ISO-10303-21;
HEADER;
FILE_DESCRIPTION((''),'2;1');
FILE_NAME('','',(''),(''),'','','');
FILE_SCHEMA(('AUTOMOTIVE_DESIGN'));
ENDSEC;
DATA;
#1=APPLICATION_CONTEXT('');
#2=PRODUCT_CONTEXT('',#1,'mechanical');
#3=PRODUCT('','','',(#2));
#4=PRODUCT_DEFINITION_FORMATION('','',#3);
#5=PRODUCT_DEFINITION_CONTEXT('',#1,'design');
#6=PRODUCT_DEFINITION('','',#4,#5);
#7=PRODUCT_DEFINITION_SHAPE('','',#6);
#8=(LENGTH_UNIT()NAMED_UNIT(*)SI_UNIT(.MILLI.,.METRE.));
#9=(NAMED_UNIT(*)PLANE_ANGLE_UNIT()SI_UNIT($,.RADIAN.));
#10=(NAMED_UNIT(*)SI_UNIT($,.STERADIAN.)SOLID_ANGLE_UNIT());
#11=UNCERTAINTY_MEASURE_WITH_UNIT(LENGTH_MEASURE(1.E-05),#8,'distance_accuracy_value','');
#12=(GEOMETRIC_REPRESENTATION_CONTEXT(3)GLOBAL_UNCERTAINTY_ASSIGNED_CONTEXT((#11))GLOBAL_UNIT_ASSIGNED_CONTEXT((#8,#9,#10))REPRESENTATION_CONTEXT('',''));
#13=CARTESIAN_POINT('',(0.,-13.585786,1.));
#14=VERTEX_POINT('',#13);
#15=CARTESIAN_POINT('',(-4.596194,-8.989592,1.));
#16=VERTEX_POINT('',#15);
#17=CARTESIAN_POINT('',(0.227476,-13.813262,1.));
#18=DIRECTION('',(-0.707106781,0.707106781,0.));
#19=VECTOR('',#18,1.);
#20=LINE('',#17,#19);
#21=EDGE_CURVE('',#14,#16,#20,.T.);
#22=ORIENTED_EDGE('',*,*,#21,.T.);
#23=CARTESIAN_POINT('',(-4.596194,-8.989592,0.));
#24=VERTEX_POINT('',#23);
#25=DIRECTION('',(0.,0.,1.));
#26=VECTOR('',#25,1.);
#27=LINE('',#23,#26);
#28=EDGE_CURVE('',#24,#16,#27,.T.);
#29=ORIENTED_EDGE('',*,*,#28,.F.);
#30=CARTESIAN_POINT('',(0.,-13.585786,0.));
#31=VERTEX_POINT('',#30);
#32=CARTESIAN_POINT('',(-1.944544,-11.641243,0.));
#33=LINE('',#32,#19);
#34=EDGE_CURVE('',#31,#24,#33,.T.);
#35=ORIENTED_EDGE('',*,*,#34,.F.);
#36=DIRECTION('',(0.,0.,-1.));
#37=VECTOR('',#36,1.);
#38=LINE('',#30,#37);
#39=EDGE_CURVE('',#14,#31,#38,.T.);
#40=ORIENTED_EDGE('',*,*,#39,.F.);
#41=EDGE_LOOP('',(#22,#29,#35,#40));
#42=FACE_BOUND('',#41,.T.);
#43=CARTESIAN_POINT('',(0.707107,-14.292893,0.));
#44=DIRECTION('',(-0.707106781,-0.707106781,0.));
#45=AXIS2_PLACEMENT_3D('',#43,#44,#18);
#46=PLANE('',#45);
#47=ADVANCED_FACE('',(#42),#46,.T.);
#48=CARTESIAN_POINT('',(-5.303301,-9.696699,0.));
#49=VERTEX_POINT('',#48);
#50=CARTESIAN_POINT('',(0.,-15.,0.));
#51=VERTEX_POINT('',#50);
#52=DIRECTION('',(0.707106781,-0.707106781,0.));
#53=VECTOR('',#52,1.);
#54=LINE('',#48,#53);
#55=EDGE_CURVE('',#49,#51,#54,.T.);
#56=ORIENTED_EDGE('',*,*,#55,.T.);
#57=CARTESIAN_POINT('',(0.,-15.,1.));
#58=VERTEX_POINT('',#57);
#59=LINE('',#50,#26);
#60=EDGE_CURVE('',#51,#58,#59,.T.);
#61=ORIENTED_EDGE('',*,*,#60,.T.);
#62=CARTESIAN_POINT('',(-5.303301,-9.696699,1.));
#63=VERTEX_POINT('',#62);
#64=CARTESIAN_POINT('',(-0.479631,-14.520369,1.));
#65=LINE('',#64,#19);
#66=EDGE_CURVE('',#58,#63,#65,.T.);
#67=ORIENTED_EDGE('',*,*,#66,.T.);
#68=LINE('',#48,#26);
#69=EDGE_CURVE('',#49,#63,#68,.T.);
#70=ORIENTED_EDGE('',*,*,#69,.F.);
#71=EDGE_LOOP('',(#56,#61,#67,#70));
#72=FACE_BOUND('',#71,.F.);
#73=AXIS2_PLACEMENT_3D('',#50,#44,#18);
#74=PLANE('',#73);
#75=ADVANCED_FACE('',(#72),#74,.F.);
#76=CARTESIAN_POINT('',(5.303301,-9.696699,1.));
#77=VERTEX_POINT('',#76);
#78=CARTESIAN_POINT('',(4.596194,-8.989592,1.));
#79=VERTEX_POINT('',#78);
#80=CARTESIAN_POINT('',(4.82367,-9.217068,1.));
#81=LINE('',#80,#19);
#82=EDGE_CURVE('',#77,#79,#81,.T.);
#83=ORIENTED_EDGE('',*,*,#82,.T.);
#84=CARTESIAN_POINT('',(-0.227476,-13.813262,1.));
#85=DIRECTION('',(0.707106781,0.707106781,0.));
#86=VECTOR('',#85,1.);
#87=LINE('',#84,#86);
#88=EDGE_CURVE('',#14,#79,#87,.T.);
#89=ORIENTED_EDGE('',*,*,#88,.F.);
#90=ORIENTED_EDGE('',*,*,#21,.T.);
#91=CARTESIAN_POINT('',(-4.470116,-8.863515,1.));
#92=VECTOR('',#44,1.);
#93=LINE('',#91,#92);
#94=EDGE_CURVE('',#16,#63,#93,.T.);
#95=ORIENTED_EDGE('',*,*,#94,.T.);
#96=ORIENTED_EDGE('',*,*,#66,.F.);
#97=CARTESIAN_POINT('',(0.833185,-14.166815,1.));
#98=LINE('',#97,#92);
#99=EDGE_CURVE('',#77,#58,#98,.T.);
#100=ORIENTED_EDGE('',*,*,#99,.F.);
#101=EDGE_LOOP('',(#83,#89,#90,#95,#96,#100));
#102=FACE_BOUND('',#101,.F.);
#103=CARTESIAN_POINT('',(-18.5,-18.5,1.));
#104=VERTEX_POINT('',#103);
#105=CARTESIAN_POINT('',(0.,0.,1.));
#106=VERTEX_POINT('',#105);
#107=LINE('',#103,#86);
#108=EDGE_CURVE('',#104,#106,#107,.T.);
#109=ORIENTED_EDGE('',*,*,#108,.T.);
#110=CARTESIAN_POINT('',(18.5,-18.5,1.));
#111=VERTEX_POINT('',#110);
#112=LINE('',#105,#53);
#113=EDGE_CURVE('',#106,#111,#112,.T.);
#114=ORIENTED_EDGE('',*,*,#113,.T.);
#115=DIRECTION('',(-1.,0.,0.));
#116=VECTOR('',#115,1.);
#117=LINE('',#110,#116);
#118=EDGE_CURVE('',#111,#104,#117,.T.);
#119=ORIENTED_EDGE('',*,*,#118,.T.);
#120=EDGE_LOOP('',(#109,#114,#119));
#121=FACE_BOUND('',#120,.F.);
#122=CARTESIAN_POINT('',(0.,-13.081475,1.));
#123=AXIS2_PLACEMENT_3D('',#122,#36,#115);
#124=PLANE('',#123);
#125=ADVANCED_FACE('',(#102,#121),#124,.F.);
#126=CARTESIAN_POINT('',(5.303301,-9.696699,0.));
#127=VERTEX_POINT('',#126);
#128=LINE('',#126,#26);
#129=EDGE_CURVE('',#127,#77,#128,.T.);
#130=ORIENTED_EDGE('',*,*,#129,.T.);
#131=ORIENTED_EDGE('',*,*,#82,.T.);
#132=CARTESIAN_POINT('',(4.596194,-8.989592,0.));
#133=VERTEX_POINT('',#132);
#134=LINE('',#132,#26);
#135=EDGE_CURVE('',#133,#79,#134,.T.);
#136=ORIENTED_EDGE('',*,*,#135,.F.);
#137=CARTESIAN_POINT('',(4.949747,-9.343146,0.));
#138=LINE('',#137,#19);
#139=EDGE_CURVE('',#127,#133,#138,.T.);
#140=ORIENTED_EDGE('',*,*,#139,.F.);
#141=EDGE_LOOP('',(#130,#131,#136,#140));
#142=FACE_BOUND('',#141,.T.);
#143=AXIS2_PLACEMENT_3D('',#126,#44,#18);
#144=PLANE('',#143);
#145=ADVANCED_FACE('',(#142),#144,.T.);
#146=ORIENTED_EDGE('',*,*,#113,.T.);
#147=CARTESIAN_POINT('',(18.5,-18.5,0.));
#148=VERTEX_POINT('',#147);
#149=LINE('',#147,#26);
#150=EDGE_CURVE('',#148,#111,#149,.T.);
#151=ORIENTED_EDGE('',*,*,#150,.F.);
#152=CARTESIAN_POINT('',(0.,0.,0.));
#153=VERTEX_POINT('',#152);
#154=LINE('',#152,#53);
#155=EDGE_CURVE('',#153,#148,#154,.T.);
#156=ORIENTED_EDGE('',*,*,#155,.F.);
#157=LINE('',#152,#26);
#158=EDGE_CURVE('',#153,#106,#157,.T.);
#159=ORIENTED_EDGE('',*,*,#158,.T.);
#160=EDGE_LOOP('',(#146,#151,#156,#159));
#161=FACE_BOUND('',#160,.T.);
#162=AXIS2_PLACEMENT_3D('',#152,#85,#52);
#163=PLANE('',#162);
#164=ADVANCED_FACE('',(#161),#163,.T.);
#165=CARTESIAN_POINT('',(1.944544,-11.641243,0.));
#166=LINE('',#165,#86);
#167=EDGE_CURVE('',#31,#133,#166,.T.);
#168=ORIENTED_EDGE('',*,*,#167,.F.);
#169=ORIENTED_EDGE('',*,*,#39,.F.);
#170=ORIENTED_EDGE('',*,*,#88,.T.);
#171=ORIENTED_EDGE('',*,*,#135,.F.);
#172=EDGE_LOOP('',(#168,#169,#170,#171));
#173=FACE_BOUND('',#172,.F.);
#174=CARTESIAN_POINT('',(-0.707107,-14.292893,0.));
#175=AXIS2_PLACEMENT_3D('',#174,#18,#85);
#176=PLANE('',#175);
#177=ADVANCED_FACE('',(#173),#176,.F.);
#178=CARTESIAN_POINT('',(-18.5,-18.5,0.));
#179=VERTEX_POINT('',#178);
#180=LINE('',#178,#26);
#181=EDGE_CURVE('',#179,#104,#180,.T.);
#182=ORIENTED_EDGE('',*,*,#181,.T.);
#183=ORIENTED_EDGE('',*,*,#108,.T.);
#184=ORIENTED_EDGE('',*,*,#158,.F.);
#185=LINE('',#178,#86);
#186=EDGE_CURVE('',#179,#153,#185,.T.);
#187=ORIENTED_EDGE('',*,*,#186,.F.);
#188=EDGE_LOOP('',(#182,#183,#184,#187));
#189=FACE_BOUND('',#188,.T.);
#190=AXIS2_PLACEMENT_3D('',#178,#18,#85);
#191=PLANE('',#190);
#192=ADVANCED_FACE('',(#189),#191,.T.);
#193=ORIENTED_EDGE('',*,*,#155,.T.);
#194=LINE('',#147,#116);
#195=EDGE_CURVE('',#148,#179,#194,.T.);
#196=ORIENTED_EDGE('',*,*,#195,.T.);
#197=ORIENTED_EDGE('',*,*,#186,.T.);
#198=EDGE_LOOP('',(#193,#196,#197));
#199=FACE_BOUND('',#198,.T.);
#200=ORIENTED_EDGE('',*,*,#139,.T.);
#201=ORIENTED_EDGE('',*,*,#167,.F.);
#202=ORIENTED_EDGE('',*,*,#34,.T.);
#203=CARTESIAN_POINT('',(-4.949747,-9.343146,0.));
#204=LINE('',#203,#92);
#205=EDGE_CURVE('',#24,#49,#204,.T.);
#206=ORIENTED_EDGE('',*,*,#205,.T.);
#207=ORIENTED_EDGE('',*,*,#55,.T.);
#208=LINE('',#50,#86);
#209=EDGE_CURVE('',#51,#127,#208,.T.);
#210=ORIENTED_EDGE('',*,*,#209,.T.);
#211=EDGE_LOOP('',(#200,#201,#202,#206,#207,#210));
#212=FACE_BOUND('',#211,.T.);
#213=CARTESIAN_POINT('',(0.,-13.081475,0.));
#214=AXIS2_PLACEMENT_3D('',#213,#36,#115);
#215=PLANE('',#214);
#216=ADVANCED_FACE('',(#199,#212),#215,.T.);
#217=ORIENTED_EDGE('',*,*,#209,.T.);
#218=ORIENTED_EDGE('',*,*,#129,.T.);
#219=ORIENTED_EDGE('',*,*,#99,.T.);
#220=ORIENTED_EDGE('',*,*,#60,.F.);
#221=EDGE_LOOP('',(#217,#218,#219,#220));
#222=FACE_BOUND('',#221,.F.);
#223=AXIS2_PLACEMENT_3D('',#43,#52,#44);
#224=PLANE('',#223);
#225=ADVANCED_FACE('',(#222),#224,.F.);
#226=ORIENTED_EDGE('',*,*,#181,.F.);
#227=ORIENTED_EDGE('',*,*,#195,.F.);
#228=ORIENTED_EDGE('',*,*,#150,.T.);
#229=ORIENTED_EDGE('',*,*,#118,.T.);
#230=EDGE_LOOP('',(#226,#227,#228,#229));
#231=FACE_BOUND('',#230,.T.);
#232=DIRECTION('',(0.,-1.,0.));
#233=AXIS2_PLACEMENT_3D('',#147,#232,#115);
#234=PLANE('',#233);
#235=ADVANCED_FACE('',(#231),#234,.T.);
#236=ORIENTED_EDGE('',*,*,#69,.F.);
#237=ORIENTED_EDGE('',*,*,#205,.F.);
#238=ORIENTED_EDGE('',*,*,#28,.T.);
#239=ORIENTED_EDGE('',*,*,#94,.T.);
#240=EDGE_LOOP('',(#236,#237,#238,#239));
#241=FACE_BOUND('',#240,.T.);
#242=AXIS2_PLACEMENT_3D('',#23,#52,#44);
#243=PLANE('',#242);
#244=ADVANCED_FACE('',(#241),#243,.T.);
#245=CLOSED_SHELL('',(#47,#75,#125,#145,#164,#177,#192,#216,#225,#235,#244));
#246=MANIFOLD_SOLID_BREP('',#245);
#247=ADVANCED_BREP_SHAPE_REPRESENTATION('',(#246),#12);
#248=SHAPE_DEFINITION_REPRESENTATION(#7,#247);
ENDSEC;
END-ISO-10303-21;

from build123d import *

# Parameters (mm, degrees)
BOX092_W                  = 7.5
BOX092_H                  = 1
BOX092_DEPTH              = 2
BOX090_W                  = 7.5
BOX090_H                  = 1
BOX090_DEPTH              = 2
FUSION018_PLACEMENT_ANGLE = 45
EXTRUDE001_DEPTH          = 1


with BuildPart() as cube092:
    # Box092 → Box092 (new body)
    with BuildSketch(Plane.XY):
        with Locations((3.75, 0.5)):
            Rectangle(BOX092_W, BOX092_H)
    extrude(amount=BOX092_DEPTH)


with BuildPart() as bigarrowhole001:
    # Box090 → Box090 (new body)
    with BuildSketch(Plane(origin=(1, 0, 0), x_dir=(0, 1, 0), z_dir=(0, 0, 1))):
        with Locations((3.75, 0.5)):
            Rectangle(BOX090_W, BOX090_H)
    extrude(amount=BOX090_DEPTH)

    # Fusion018: union Cube092
    add(cube092.part)


with BuildPart() as bigarrowhole001_1:
    # Fusion018 placement: moved
    add(bigarrowhole001.part.moved(Location((0, -15, 0))).rotate(Axis((0, -15, 0), (0, 0, 1)), FUSION018_PLACEMENT_ANGLE))


with BuildPart() as cut010:
    # Sketch012 → Extrude001 (new body)
    with BuildSketch(Plane.XY):
        Polygon((0, 0), (18.5, -18.5), (-18.5, -18.5), align=None)
    extrude(amount=EXTRUDE001_DEPTH)

    # Cut010: cut BigArrowHole001
    add(bigarrowhole001_1.part, mode=Mode.SUBTRACT)


solid = cut010.part
